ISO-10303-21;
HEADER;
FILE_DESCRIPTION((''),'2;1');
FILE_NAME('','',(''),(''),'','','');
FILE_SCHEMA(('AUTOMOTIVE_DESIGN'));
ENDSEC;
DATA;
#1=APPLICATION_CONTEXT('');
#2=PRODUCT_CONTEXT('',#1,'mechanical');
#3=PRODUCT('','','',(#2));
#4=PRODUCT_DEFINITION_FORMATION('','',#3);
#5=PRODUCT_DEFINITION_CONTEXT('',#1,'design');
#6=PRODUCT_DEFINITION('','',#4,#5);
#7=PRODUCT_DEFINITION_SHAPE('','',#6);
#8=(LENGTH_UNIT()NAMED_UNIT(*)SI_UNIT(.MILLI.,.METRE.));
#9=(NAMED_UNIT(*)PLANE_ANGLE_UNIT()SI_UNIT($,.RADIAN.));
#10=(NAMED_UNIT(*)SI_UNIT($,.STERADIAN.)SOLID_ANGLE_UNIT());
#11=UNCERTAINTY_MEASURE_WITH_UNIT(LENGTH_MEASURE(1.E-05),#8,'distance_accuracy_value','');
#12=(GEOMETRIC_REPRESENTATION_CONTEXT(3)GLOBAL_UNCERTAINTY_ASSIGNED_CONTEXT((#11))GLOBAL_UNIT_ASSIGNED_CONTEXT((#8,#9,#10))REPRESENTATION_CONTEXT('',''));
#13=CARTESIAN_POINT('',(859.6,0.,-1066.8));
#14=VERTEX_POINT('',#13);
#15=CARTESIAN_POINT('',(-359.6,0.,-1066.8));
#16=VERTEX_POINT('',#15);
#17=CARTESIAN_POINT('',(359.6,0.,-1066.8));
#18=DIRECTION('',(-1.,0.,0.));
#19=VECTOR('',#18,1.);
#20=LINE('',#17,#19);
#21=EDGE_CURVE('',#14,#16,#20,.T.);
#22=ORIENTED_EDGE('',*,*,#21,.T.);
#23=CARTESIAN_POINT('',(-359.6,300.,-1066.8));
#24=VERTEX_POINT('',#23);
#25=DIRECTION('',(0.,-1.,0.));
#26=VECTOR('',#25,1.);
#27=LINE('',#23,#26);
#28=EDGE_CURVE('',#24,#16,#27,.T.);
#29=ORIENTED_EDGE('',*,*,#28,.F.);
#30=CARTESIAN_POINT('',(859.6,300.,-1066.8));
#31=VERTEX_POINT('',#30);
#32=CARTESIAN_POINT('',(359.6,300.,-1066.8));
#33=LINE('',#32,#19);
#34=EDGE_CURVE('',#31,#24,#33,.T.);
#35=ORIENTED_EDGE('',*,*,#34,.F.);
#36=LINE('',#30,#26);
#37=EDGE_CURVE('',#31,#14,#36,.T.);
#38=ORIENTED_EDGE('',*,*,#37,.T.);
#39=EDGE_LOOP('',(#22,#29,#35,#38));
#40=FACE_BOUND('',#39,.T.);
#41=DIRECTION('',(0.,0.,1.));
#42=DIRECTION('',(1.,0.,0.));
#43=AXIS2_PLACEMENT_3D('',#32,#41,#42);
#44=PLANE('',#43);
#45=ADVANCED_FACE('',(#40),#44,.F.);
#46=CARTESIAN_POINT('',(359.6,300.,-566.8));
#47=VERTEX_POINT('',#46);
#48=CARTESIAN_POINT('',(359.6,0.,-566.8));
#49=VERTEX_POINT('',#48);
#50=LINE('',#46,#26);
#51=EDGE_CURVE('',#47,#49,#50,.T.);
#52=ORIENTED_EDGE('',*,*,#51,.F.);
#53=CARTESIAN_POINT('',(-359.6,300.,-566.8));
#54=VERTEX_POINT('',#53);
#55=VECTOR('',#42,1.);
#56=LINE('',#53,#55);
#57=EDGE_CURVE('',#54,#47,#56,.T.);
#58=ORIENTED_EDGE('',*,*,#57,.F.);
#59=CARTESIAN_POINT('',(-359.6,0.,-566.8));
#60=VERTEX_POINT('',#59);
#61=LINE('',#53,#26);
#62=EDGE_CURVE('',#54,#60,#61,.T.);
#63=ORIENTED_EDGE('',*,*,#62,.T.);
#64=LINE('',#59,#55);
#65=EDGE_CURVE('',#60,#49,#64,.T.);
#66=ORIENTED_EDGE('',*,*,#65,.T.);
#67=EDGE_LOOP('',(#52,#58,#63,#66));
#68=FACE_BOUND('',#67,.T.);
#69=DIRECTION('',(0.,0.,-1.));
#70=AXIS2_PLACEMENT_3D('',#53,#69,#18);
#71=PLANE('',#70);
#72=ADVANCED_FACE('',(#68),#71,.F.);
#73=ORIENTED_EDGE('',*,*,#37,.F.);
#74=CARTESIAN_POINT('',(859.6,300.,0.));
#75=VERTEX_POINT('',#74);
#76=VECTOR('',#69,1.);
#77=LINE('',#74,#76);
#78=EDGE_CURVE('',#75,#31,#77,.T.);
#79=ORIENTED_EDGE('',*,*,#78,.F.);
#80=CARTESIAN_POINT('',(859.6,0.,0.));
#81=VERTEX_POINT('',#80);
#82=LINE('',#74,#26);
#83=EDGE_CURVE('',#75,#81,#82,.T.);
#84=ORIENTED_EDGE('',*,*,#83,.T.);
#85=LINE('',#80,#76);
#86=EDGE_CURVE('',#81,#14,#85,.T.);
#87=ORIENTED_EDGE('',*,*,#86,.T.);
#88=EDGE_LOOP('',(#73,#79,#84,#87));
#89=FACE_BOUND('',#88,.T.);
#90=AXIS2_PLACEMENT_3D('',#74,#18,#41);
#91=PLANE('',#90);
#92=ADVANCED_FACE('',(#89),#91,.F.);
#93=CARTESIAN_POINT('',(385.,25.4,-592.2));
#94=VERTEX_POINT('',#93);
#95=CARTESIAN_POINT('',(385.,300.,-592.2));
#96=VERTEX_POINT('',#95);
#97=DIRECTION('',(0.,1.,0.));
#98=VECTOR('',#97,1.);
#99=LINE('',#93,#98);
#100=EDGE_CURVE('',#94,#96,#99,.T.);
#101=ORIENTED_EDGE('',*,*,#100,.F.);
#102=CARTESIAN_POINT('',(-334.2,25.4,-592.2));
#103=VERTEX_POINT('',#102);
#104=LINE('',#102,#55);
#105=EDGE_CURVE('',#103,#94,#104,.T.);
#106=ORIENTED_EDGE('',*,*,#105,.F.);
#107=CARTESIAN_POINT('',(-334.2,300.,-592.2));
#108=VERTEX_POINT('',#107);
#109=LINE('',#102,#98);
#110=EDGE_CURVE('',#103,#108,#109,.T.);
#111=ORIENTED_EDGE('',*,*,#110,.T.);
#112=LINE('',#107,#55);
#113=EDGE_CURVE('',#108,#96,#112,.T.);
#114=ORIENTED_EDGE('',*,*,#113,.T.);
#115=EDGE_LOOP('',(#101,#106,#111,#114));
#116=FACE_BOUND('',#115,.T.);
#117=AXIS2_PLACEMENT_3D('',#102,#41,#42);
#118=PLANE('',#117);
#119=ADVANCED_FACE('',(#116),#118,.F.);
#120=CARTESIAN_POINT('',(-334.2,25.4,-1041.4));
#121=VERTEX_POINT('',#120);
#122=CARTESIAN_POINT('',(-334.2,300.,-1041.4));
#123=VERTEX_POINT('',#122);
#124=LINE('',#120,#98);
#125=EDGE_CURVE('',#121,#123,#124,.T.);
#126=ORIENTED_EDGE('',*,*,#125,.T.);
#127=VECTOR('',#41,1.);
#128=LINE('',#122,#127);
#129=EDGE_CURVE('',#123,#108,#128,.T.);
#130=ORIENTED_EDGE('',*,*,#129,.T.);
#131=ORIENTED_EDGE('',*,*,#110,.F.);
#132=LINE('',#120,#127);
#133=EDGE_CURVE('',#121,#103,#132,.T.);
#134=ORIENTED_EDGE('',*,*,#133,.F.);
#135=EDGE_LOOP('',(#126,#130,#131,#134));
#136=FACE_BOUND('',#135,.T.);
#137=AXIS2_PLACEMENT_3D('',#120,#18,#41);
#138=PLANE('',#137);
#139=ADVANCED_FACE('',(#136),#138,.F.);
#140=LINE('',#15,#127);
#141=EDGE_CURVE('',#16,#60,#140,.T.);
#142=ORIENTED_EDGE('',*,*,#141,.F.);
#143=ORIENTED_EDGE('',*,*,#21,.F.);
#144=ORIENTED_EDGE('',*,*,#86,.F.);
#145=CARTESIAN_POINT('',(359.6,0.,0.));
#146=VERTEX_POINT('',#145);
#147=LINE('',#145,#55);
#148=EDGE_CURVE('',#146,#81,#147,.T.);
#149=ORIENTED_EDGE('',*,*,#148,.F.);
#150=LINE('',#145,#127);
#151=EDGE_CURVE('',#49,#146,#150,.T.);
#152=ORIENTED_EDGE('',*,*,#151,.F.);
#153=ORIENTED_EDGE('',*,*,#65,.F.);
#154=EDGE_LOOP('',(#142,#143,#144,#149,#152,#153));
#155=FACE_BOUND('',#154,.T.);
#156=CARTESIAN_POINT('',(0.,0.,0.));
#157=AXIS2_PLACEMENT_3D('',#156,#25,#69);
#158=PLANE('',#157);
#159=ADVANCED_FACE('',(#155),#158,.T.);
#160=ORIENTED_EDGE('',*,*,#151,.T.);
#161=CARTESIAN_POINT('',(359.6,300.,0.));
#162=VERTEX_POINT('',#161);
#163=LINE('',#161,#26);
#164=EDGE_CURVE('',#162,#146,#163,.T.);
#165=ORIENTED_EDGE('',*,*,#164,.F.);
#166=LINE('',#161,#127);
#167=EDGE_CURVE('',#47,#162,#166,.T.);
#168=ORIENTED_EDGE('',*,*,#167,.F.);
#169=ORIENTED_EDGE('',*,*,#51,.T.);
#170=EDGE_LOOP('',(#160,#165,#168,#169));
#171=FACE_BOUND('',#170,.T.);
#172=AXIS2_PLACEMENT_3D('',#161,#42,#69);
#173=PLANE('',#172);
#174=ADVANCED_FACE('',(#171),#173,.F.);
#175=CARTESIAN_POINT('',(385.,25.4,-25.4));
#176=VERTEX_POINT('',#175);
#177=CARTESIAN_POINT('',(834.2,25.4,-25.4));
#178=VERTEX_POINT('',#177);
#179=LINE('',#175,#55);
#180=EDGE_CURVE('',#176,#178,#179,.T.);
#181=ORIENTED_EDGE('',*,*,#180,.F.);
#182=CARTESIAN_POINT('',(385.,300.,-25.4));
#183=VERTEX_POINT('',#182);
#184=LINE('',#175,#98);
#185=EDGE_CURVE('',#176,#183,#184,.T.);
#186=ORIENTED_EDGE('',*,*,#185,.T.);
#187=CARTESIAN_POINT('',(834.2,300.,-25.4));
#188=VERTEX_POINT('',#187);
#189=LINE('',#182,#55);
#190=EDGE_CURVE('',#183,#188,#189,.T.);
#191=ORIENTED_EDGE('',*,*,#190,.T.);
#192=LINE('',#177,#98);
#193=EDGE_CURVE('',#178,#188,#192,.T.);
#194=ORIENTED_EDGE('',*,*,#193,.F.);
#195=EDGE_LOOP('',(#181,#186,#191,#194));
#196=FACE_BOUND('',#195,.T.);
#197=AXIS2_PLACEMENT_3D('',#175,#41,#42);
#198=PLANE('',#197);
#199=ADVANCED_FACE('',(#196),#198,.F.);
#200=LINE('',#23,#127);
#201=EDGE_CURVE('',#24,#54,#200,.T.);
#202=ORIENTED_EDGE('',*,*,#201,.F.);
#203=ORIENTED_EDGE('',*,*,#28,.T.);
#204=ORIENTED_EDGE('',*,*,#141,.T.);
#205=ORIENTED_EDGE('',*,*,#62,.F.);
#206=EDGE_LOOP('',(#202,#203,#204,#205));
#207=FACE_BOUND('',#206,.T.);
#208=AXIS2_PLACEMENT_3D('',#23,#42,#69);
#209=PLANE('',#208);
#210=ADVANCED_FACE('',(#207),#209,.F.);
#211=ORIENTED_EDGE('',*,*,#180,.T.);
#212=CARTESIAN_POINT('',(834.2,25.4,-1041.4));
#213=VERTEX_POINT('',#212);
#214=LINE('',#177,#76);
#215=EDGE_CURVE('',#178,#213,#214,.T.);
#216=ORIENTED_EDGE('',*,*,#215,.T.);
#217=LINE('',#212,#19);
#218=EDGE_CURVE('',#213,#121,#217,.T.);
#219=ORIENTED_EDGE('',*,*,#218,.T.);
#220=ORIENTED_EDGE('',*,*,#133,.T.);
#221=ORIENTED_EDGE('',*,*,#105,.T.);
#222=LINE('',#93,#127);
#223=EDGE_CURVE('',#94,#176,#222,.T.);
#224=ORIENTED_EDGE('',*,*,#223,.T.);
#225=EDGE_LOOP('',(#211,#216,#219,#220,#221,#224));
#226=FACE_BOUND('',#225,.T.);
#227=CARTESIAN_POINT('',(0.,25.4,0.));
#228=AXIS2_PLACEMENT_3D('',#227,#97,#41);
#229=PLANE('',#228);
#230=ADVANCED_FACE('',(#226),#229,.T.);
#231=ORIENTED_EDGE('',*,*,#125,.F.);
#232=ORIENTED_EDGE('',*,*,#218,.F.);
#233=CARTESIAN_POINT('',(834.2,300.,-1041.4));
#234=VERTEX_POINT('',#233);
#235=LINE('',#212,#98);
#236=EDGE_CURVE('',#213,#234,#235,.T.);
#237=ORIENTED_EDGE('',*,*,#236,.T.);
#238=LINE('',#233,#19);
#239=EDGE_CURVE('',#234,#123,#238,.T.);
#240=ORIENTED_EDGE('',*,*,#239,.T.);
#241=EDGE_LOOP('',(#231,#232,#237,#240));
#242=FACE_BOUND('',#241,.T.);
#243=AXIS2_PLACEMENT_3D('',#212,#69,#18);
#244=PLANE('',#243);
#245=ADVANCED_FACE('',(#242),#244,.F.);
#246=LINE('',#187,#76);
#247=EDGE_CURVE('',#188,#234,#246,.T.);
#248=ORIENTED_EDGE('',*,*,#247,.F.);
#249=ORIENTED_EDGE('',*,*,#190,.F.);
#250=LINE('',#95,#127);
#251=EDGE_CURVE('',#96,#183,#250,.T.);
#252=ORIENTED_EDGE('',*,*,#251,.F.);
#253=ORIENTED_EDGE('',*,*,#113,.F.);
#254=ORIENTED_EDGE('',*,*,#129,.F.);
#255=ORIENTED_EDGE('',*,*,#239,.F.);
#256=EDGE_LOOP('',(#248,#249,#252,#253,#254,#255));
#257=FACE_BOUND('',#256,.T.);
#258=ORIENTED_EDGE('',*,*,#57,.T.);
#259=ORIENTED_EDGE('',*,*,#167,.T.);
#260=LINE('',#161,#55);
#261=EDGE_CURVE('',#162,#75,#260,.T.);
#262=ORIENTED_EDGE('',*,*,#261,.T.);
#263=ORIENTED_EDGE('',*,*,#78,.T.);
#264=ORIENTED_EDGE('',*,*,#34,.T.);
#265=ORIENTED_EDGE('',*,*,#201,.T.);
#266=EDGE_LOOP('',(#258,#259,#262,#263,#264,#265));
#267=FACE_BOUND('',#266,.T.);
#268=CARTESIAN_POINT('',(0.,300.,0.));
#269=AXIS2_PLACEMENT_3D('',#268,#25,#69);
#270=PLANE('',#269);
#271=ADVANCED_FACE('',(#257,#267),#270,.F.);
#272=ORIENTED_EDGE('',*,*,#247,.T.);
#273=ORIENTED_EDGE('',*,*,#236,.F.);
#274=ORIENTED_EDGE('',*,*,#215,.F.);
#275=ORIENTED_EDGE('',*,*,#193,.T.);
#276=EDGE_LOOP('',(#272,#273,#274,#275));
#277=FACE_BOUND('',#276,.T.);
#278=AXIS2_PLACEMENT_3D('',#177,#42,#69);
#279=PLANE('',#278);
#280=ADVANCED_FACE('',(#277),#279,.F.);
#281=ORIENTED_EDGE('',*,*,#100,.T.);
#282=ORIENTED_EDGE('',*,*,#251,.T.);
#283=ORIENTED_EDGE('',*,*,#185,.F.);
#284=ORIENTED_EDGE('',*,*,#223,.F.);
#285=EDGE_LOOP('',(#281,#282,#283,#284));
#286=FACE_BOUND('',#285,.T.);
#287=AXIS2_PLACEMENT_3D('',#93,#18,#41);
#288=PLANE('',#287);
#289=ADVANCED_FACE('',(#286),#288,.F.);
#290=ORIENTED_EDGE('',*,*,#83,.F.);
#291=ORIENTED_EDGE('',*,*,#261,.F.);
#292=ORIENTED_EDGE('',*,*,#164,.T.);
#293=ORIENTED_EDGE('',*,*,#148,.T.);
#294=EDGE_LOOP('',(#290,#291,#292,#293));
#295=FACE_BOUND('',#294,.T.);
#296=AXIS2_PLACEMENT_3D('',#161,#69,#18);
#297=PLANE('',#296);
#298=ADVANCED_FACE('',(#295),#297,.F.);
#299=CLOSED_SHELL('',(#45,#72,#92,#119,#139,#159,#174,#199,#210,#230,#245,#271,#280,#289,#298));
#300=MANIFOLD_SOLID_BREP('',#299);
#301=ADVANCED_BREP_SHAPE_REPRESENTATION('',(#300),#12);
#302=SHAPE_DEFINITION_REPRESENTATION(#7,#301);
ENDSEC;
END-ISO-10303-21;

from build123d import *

# Parameters (mm, degrees)
BOSS_EXTRUDE1_DEPTH = 300
CUT_EXTRUDE1_DEPTH  = 274.6


with BuildPart() as part:
    # Sketch1 → Boss-Extrude1 (new body)
    with BuildSketch(Plane(origin=(0, 0, 0), x_dir=(1, 0, 0), z_dir=(0, 1, 0))):
        Polygon((359.6, 1066.8), (-359.6, 1066.8), (-359.6, 566.8), (359.6, 566.8), (359.6, 0), (859.6, 0), (859.6, 1066.8), align=None)
    extrude(amount=BOSS_EXTRUDE1_DEPTH)

    # Sketch2 → Cut-Extrude1 (cut)
    with BuildSketch(Plane(origin=(0, 300, 0), x_dir=(1, 0, 0), z_dir=(0, 1, 0))):
        Polygon((834.2, 25.4), (834.2, 1041.4), (-334.2, 1041.4), (-334.2, 592.2), (385, 592.2), (385, 25.4), align=None)
    extrude(amount=-CUT_EXTRUDE1_DEPTH, mode=Mode.SUBTRACT)


solid = part.part
